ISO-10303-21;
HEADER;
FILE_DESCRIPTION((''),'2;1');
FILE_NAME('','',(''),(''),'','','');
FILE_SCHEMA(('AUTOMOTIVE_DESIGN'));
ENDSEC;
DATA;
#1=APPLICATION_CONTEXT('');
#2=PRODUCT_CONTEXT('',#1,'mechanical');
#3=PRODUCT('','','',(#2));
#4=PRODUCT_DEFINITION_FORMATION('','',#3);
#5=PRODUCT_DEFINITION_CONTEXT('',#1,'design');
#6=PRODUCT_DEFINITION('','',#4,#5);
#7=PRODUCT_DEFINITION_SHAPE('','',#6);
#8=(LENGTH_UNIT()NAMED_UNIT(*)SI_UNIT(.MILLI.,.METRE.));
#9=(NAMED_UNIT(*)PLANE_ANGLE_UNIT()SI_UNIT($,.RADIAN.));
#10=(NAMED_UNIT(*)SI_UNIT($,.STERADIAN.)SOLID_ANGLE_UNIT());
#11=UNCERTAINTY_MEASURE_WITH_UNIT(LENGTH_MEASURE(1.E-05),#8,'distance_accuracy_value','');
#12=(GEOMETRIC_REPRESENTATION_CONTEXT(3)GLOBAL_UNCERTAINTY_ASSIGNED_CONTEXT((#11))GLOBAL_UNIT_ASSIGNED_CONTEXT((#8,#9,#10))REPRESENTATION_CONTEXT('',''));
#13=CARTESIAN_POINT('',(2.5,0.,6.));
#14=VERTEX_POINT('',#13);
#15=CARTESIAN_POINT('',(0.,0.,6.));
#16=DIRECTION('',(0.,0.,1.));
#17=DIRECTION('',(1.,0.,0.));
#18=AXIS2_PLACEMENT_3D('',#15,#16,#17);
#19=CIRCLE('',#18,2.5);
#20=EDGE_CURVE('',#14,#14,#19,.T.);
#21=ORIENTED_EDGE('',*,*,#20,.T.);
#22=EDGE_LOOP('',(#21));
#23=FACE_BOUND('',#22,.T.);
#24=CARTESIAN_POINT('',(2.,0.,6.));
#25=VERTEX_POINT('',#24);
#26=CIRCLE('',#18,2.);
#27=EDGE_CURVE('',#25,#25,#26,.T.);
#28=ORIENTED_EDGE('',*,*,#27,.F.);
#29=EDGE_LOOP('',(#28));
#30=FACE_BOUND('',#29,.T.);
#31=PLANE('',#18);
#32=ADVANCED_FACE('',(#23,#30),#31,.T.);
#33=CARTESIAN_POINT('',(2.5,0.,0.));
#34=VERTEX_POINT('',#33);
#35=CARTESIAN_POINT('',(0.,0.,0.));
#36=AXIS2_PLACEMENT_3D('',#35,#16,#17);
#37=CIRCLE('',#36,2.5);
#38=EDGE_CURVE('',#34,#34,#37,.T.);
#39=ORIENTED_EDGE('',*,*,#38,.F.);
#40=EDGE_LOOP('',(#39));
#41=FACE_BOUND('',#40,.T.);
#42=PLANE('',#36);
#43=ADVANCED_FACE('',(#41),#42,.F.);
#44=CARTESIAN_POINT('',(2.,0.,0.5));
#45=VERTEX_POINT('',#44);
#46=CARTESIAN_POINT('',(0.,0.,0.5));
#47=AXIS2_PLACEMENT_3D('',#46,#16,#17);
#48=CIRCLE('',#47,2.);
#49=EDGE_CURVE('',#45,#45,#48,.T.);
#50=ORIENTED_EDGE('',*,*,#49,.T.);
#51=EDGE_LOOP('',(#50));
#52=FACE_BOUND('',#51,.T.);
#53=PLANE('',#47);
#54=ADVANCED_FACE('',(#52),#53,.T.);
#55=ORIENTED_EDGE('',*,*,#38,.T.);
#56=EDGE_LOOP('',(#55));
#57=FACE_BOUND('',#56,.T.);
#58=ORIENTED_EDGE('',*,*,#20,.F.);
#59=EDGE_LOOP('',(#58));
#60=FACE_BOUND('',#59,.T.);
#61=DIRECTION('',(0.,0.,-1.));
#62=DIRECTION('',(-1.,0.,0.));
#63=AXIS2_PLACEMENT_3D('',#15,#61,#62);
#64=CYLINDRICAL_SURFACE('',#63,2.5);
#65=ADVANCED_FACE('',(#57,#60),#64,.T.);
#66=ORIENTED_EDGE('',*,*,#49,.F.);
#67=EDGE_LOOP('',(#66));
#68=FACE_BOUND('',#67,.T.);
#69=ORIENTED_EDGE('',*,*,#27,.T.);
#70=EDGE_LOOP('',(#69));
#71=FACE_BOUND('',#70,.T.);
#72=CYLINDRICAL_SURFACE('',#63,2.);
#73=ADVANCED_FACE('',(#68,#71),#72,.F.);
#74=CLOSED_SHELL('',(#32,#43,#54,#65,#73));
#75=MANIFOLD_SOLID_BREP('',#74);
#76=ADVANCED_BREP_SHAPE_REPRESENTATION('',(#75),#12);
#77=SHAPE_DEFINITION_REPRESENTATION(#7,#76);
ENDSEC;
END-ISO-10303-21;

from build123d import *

# Parameters (mm, degrees)
SKETCH_1_R      = 2.5
EXTRUDE_1_DEPTH = 6
SHELL_1_T       = -0.5


with BuildPart() as part:
    # 草图1 → 凸台-拉伸1 (new body)
    with BuildSketch(Plane.XY):
        Circle(SKETCH_1_R)
    extrude(amount=EXTRUDE_1_DEPTH)

    # 抽壳1
    shell_1_openings = [part.faces().sort_by_distance(p)[0] for p in [
        (0, 0, 6),
    ]]
    offset(amount=SHELL_1_T, openings=shell_1_openings, kind=Kind.INTERSECTION)


solid = part.part
